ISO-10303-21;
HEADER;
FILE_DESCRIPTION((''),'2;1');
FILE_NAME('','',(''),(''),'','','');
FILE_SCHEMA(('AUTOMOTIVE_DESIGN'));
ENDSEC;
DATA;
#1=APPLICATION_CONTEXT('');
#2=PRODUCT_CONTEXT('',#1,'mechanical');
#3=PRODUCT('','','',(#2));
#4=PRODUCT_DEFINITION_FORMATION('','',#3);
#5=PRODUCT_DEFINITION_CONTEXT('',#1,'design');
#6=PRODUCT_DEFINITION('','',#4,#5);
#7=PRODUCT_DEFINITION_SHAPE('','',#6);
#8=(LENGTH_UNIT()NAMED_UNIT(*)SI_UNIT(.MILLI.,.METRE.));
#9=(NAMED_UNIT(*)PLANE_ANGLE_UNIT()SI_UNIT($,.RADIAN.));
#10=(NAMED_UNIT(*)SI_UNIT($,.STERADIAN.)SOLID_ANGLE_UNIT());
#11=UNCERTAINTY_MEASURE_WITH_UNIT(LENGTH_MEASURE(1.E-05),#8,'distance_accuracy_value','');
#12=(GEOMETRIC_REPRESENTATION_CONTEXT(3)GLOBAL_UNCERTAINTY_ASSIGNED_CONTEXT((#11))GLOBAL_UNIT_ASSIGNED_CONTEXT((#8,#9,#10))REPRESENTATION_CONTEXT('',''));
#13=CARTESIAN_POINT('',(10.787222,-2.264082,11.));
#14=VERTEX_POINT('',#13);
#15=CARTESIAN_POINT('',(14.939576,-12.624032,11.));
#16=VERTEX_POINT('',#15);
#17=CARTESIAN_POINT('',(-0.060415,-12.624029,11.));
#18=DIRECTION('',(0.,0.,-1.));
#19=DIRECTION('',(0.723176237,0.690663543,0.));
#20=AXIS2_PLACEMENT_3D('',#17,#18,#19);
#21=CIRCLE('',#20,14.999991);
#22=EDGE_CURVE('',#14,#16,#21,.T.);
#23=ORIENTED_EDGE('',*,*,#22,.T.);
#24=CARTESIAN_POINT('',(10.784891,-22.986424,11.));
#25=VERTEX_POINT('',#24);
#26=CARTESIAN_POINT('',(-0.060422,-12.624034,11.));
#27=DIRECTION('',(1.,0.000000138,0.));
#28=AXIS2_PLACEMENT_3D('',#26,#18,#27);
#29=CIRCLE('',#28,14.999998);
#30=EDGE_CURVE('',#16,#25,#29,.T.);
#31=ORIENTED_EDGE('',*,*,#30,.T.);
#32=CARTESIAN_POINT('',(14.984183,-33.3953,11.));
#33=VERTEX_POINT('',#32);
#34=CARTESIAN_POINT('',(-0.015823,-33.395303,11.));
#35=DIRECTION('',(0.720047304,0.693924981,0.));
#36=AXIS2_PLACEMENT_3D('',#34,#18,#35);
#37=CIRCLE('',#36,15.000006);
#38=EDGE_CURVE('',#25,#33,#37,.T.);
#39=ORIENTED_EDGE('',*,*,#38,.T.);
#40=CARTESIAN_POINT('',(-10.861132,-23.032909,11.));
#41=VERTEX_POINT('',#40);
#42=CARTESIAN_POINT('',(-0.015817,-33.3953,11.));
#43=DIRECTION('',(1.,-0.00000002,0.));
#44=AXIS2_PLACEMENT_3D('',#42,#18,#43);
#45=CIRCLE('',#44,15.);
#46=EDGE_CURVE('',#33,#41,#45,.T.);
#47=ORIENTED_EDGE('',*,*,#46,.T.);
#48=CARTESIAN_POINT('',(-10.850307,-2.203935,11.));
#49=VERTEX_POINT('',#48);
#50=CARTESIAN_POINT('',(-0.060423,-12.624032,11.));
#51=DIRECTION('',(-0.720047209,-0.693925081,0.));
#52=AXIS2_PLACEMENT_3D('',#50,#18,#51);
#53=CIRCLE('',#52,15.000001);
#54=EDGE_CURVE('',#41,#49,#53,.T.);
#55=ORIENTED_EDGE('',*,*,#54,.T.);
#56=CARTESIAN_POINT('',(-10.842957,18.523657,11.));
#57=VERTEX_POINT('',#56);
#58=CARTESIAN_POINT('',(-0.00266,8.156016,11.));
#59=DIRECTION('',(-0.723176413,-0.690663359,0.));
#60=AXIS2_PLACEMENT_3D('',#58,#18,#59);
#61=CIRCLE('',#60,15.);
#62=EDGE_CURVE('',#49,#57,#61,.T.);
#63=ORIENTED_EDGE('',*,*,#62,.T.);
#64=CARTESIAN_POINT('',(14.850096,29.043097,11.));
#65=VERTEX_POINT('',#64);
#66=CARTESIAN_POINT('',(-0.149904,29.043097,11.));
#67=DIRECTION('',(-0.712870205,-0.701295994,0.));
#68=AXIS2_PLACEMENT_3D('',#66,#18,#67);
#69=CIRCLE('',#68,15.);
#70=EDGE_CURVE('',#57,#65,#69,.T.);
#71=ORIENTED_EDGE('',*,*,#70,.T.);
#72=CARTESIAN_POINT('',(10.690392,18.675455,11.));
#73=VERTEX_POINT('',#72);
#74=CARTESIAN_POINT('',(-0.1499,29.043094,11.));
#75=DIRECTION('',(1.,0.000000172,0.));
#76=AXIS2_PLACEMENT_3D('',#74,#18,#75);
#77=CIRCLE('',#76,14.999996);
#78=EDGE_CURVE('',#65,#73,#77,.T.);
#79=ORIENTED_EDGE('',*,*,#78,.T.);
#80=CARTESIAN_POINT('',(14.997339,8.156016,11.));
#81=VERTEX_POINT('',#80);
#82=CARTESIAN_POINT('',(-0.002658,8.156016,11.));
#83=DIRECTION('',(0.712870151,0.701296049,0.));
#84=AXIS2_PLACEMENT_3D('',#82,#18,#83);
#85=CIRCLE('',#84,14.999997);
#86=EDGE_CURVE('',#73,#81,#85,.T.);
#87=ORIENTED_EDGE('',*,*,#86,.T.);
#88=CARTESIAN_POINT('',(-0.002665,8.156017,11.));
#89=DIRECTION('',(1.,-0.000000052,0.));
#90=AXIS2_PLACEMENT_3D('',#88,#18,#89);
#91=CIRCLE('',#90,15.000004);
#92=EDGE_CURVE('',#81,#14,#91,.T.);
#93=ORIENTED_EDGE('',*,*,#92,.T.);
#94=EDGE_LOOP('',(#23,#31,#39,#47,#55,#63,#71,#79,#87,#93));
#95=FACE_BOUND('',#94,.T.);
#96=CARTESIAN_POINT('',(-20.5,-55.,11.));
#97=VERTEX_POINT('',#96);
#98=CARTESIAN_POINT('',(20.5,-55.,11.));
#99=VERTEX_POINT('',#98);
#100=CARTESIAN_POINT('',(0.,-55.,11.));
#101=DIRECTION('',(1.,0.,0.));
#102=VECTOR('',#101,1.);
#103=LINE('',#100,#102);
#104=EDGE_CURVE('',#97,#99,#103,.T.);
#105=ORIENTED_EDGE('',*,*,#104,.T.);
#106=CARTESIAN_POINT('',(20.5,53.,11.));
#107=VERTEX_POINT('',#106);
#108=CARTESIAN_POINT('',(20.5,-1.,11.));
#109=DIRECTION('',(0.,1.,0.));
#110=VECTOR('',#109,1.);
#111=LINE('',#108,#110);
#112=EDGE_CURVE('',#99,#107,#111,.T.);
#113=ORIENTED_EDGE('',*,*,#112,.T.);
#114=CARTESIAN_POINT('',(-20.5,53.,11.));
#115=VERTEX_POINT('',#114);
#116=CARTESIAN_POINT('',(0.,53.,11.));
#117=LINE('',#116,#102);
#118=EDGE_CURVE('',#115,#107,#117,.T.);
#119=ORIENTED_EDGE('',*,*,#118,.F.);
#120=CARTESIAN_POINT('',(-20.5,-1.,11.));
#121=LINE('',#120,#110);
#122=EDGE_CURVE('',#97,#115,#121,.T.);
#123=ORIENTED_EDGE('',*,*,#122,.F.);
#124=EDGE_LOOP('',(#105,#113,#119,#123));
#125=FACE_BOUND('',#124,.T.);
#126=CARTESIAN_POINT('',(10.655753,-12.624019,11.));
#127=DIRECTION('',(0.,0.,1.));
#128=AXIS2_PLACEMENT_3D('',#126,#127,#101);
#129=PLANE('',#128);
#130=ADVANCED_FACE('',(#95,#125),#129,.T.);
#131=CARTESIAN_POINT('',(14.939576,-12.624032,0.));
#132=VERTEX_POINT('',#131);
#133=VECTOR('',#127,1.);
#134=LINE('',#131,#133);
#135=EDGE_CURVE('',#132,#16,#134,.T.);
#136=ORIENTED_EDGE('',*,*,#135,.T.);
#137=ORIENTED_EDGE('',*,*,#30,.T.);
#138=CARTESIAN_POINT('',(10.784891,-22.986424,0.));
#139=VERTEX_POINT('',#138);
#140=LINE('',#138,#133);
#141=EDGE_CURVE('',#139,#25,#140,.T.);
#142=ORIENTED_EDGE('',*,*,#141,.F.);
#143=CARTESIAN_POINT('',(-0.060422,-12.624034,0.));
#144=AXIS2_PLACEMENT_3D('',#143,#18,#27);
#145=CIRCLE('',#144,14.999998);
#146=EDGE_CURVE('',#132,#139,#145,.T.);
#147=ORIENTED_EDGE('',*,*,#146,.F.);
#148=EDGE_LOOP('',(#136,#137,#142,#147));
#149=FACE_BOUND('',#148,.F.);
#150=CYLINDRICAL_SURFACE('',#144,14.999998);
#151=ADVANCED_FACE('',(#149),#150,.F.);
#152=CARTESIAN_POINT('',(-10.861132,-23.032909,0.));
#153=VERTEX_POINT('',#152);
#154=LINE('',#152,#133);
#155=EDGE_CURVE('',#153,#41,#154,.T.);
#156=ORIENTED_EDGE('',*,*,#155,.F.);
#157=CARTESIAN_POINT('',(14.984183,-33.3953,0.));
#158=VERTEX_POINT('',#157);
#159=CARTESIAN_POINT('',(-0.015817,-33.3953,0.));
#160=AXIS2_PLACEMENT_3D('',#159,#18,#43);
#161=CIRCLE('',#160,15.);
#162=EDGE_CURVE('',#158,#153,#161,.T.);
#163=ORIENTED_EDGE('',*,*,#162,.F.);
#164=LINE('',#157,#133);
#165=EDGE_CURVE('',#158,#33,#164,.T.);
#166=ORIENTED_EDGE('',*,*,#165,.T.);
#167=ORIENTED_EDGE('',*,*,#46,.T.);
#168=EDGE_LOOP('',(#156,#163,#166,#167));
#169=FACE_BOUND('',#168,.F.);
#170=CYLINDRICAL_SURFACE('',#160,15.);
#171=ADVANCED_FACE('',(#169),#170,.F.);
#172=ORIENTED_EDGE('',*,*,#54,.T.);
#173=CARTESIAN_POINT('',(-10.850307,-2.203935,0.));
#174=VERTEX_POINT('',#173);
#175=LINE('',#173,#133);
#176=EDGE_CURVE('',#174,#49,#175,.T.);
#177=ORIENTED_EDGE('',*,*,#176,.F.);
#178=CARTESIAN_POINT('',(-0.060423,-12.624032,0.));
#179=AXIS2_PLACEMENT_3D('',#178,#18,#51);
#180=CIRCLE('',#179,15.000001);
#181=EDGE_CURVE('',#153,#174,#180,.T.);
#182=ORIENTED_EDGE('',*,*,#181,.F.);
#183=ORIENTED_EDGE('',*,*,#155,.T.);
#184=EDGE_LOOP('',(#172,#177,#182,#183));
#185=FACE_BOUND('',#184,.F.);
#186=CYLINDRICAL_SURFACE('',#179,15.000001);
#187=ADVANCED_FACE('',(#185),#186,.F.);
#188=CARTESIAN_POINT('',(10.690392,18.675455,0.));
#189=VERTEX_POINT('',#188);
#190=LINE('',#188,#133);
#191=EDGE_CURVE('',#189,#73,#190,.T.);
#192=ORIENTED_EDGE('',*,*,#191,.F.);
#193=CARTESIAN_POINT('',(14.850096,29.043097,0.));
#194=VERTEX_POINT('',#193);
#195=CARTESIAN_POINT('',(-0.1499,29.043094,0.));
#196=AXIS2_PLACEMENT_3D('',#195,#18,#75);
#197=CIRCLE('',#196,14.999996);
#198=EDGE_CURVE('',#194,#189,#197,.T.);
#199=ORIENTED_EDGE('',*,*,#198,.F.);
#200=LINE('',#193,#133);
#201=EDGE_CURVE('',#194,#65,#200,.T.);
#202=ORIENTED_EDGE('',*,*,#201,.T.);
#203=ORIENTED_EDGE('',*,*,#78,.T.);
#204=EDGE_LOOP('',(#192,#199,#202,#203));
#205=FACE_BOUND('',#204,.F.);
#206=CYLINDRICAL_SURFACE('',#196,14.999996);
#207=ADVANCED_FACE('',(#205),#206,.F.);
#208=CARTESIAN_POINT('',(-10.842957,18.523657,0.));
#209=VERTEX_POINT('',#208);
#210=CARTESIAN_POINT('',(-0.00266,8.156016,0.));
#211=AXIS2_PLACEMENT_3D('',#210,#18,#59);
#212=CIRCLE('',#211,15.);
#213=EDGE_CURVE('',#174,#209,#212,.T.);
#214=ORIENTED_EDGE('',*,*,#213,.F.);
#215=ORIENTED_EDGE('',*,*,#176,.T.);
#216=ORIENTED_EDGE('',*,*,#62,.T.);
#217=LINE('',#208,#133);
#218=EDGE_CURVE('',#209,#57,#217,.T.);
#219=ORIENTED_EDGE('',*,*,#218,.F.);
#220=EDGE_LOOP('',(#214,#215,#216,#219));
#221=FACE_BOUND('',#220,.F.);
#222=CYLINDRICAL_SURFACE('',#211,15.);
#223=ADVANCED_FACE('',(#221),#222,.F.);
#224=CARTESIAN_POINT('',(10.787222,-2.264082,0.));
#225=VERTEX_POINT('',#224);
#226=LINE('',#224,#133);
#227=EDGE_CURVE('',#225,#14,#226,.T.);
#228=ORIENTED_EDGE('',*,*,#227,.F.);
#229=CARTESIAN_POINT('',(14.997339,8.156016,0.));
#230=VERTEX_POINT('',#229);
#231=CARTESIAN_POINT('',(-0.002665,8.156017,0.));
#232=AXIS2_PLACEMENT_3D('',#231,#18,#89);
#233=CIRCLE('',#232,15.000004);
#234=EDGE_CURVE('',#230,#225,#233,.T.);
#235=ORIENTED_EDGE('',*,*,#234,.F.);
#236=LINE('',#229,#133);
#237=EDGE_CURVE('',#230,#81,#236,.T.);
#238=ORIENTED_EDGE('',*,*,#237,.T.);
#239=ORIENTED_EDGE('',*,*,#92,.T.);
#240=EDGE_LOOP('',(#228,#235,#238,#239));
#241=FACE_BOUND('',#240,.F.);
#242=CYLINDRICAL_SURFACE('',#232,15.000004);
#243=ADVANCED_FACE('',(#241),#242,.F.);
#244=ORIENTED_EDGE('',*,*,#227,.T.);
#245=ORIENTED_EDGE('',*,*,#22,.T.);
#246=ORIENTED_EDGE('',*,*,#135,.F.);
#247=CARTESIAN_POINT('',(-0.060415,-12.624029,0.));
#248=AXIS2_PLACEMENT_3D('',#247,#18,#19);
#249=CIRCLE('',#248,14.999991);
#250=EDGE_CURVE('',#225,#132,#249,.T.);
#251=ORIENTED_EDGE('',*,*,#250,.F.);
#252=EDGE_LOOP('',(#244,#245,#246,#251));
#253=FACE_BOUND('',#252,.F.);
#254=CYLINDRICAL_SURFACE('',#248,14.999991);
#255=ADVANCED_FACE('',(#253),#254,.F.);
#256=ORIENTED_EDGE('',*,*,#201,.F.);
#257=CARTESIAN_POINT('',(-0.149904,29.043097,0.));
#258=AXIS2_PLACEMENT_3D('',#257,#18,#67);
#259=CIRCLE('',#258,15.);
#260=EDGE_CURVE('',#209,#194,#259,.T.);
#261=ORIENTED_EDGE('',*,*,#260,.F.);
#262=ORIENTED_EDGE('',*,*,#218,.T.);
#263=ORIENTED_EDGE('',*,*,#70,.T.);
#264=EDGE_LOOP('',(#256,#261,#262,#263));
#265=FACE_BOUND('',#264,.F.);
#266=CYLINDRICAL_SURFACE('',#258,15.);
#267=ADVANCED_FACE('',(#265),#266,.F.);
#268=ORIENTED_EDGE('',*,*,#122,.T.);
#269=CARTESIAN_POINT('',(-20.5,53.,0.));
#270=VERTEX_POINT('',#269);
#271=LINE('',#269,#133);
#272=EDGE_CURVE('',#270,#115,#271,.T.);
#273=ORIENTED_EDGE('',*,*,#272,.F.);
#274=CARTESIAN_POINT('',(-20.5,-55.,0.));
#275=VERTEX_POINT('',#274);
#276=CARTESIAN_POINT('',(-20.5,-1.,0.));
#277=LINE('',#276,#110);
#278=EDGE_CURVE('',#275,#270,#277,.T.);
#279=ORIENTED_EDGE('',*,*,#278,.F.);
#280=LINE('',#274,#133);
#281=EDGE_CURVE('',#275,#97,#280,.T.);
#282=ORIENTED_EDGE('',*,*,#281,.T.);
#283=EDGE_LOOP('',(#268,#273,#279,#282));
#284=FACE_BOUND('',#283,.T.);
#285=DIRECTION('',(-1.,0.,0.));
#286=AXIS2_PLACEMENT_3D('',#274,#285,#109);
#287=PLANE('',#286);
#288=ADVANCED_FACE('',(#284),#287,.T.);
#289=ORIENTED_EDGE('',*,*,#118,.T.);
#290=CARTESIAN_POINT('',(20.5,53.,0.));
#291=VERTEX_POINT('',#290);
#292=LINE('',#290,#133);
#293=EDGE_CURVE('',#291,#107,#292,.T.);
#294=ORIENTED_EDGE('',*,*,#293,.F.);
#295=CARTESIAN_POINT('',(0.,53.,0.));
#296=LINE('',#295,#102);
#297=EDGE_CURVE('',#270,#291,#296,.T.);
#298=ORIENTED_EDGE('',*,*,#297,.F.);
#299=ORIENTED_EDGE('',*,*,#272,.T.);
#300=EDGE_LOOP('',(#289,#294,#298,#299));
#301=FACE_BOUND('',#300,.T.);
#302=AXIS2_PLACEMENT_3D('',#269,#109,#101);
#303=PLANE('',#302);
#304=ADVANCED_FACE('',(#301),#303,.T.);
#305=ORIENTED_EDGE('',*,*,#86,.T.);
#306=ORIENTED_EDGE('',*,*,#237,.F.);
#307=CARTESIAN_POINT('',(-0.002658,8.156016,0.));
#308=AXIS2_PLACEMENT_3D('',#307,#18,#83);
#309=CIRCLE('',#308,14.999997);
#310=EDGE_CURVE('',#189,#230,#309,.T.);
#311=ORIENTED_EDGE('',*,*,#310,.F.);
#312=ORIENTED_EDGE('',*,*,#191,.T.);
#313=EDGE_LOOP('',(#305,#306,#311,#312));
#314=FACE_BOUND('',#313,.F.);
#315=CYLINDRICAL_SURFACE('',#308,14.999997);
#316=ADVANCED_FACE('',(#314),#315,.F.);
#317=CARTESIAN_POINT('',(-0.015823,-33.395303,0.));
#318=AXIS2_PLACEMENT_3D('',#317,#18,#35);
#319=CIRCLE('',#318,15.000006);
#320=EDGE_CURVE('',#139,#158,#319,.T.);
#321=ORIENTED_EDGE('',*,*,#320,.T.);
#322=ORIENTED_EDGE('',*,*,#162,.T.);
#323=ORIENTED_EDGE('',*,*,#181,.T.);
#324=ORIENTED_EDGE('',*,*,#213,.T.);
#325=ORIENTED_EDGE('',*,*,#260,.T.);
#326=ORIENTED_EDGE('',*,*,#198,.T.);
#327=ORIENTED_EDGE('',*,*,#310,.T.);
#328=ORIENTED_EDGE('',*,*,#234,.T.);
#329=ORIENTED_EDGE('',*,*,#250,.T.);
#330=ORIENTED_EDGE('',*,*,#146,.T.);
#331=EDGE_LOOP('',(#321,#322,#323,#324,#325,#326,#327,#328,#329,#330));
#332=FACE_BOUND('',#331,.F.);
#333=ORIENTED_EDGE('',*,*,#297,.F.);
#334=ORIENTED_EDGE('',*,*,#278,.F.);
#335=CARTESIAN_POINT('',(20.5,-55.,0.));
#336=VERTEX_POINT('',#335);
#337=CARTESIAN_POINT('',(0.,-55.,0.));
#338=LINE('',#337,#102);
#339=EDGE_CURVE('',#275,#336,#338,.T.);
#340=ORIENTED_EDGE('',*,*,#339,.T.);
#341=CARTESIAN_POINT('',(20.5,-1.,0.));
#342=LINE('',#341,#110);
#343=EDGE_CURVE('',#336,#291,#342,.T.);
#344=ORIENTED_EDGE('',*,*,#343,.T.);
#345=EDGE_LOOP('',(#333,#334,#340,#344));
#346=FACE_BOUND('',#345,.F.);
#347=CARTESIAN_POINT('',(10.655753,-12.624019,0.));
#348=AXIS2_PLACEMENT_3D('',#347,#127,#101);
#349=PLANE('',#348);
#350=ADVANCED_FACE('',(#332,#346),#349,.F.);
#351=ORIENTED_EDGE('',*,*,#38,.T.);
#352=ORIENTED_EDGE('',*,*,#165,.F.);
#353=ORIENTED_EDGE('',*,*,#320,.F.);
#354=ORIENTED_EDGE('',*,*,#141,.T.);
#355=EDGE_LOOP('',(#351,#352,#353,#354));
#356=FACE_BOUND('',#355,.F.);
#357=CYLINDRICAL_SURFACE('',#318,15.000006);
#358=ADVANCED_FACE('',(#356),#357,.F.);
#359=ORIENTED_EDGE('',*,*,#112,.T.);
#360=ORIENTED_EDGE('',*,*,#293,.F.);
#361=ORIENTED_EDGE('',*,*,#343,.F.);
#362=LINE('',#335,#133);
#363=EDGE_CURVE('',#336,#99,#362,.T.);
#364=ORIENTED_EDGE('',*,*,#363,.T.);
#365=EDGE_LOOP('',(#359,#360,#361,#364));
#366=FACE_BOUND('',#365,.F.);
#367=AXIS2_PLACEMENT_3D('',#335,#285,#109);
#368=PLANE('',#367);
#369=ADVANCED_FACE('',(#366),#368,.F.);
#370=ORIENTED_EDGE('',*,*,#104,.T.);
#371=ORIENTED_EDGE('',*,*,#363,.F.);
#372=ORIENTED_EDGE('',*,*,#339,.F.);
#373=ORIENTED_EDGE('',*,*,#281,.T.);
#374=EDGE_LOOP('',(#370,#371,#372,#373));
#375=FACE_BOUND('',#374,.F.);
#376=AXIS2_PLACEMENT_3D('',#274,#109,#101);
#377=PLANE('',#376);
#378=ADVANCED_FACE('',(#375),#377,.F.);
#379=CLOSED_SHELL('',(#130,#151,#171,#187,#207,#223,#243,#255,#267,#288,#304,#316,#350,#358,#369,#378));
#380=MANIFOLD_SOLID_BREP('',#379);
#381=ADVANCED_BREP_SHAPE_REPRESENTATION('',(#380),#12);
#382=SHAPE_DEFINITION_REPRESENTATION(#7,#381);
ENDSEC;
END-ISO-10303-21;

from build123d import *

# Parameters (mm, degrees)
F0_W     = 41
F0_H     = 108
F1_DEPTH = 11


with BuildPart() as f1:
    # F0 (on Top) → F1 (new body)
    with BuildSketch(Plane.XY):
        with BuildLine():
            ThreePointArc((5.706968, -5.714822), (7.712615, -8.087528), (8.791989, -11.000826))
            ThreePointArc((8.791989, -11.000826), (11.232354, -10.554221), (12.600096, -12.624032))
            ThreePointArc((12.600096, -12.624032), (11.232354, -14.693844), (8.791989, -14.247239))
            ThreePointArc((8.791989, -14.247239), (7.713498, -17.159023), (5.709659, -19.530996))
            ThreePointArc((5.709659, -19.530996), (8.425965, -20.996255), (10.784891, -22.986424))
            ThreePointArc((10.784891, -22.986424), (13.862215, -18.206159), (14.939576, -12.624032))
            ThreePointArc((14.939576, -12.624032), (13.862843, -7.043472), (10.787222, -2.264082))
            ThreePointArc((10.787222, -2.264082), (8.425588, -4.252233), (5.706968, -5.714822))
        make_face()
        with BuildLine():
            ThreePointArc((-8.919726, -11.038862), (-7.830592, -8.082615), (-5.789315, -5.682866))
            ThreePointArc((-5.789315, -5.682866), (-8.499762, -4.205185), (-10.850307, -2.203935))
            ThreePointArc((-10.850307, -2.203935), (-15.060422, -12.616237), (-10.861132, -23.032909))
            ThreePointArc((-10.861132, -23.032909), (-8.510775, -21.032627), (-5.800788, -19.555715))
            ThreePointArc((-5.800788, -19.555715), (-7.814796, -17.19237), (-8.905782, -14.285245))
            ThreePointArc((-8.905782, -14.285245), (-12.720827, -12.678409), (-8.919726, -11.038862))
        make_face()
        with BuildLine():
            ThreePointArc((5.603682, 1.265457), (8.381963, -0.225399), (10.787222, -2.264082))
            ThreePointArc((10.787222, -2.264082), (13.905039, 2.536774), (14.997339, 8.156016))
            ThreePointArc((14.997339, 8.156016), (13.878906, 13.839509), (10.690392, 18.675455))
            ThreePointArc((10.690392, 18.675455), (8.324534, 16.666348), (5.595827, 15.187174))
            ThreePointArc((5.595827, 15.187174), (7.57988, 12.907076), (8.697198, 10.09871))
            ThreePointArc((8.697198, 10.09871), (11.379114, 10.5015), (12.850096, 8.223097))
            ThreePointArc((12.850096, 8.223097), (11.379114, 5.944693), (8.697198, 6.347483))
            ThreePointArc((8.697198, 6.347483), (7.582521, 3.543455), (5.603682, 1.265457))
        make_face()
        with BuildLine():
            ThreePointArc((-10.842957, 18.523657), (-15.00266, 8.161334), (-10.850307, -2.203935))
            ThreePointArc((-10.850307, -2.203935), (-8.49497, -0.220064), (-5.784132, 1.241002))
            ThreePointArc((-5.784132, 1.241002), (-7.772737, 3.510479), (-8.899446, 6.309695))
            ThreePointArc((-8.899446, 6.309695), (-13.060362, 8.167454), (-8.915558, 10.060887))
            ThreePointArc((-8.915558, 10.060887), (-7.810312, 12.874025), (-5.83607, 15.162624))
            ThreePointArc((-5.83607, 15.162624), (-8.510157, 16.588935), (-10.842957, 18.523657))
        make_face()
        with Locations((0, -1)):
            Rectangle(F0_W, F0_H)
        with BuildLine():
            ThreePointArc((14.997339, 8.156016), (13.905039, 2.536774), (10.787222, -2.264082))
            ThreePointArc((10.787222, -2.264082), (13.862843, -7.043472), (14.939576, -12.624032))
            ThreePointArc((14.939576, -12.624032), (13.862215, -18.206159), (10.784891, -22.986424))
            ThreePointArc((10.784891, -22.986424), (13.894801, -27.783287), (14.984183, -33.3953))
            ThreePointArc((14.984183, -33.3953), (-5.597944, -47.317938), (-10.861132, -23.032909))
            ThreePointArc((-10.861132, -23.032909), (-15.060422, -12.616237), (-10.850307, -2.203935))
            ThreePointArc((-10.850307, -2.203935), (-15.00266, 8.161334), (-10.842957, 18.523657))
            ThreePointArc((-10.842957, 18.523657), (-5.833397, 42.924664), (14.850096, 29.043097))
            ThreePointArc((14.850096, 29.043097), (13.771383, 23.457599), (10.690392, 18.675455))
            ThreePointArc((10.690392, 18.675455), (13.878906, 13.839509), (14.997339, 8.156016))
        make_face(mode=Mode.SUBTRACT)
    extrude(amount=F1_DEPTH)


solid = f1.part
